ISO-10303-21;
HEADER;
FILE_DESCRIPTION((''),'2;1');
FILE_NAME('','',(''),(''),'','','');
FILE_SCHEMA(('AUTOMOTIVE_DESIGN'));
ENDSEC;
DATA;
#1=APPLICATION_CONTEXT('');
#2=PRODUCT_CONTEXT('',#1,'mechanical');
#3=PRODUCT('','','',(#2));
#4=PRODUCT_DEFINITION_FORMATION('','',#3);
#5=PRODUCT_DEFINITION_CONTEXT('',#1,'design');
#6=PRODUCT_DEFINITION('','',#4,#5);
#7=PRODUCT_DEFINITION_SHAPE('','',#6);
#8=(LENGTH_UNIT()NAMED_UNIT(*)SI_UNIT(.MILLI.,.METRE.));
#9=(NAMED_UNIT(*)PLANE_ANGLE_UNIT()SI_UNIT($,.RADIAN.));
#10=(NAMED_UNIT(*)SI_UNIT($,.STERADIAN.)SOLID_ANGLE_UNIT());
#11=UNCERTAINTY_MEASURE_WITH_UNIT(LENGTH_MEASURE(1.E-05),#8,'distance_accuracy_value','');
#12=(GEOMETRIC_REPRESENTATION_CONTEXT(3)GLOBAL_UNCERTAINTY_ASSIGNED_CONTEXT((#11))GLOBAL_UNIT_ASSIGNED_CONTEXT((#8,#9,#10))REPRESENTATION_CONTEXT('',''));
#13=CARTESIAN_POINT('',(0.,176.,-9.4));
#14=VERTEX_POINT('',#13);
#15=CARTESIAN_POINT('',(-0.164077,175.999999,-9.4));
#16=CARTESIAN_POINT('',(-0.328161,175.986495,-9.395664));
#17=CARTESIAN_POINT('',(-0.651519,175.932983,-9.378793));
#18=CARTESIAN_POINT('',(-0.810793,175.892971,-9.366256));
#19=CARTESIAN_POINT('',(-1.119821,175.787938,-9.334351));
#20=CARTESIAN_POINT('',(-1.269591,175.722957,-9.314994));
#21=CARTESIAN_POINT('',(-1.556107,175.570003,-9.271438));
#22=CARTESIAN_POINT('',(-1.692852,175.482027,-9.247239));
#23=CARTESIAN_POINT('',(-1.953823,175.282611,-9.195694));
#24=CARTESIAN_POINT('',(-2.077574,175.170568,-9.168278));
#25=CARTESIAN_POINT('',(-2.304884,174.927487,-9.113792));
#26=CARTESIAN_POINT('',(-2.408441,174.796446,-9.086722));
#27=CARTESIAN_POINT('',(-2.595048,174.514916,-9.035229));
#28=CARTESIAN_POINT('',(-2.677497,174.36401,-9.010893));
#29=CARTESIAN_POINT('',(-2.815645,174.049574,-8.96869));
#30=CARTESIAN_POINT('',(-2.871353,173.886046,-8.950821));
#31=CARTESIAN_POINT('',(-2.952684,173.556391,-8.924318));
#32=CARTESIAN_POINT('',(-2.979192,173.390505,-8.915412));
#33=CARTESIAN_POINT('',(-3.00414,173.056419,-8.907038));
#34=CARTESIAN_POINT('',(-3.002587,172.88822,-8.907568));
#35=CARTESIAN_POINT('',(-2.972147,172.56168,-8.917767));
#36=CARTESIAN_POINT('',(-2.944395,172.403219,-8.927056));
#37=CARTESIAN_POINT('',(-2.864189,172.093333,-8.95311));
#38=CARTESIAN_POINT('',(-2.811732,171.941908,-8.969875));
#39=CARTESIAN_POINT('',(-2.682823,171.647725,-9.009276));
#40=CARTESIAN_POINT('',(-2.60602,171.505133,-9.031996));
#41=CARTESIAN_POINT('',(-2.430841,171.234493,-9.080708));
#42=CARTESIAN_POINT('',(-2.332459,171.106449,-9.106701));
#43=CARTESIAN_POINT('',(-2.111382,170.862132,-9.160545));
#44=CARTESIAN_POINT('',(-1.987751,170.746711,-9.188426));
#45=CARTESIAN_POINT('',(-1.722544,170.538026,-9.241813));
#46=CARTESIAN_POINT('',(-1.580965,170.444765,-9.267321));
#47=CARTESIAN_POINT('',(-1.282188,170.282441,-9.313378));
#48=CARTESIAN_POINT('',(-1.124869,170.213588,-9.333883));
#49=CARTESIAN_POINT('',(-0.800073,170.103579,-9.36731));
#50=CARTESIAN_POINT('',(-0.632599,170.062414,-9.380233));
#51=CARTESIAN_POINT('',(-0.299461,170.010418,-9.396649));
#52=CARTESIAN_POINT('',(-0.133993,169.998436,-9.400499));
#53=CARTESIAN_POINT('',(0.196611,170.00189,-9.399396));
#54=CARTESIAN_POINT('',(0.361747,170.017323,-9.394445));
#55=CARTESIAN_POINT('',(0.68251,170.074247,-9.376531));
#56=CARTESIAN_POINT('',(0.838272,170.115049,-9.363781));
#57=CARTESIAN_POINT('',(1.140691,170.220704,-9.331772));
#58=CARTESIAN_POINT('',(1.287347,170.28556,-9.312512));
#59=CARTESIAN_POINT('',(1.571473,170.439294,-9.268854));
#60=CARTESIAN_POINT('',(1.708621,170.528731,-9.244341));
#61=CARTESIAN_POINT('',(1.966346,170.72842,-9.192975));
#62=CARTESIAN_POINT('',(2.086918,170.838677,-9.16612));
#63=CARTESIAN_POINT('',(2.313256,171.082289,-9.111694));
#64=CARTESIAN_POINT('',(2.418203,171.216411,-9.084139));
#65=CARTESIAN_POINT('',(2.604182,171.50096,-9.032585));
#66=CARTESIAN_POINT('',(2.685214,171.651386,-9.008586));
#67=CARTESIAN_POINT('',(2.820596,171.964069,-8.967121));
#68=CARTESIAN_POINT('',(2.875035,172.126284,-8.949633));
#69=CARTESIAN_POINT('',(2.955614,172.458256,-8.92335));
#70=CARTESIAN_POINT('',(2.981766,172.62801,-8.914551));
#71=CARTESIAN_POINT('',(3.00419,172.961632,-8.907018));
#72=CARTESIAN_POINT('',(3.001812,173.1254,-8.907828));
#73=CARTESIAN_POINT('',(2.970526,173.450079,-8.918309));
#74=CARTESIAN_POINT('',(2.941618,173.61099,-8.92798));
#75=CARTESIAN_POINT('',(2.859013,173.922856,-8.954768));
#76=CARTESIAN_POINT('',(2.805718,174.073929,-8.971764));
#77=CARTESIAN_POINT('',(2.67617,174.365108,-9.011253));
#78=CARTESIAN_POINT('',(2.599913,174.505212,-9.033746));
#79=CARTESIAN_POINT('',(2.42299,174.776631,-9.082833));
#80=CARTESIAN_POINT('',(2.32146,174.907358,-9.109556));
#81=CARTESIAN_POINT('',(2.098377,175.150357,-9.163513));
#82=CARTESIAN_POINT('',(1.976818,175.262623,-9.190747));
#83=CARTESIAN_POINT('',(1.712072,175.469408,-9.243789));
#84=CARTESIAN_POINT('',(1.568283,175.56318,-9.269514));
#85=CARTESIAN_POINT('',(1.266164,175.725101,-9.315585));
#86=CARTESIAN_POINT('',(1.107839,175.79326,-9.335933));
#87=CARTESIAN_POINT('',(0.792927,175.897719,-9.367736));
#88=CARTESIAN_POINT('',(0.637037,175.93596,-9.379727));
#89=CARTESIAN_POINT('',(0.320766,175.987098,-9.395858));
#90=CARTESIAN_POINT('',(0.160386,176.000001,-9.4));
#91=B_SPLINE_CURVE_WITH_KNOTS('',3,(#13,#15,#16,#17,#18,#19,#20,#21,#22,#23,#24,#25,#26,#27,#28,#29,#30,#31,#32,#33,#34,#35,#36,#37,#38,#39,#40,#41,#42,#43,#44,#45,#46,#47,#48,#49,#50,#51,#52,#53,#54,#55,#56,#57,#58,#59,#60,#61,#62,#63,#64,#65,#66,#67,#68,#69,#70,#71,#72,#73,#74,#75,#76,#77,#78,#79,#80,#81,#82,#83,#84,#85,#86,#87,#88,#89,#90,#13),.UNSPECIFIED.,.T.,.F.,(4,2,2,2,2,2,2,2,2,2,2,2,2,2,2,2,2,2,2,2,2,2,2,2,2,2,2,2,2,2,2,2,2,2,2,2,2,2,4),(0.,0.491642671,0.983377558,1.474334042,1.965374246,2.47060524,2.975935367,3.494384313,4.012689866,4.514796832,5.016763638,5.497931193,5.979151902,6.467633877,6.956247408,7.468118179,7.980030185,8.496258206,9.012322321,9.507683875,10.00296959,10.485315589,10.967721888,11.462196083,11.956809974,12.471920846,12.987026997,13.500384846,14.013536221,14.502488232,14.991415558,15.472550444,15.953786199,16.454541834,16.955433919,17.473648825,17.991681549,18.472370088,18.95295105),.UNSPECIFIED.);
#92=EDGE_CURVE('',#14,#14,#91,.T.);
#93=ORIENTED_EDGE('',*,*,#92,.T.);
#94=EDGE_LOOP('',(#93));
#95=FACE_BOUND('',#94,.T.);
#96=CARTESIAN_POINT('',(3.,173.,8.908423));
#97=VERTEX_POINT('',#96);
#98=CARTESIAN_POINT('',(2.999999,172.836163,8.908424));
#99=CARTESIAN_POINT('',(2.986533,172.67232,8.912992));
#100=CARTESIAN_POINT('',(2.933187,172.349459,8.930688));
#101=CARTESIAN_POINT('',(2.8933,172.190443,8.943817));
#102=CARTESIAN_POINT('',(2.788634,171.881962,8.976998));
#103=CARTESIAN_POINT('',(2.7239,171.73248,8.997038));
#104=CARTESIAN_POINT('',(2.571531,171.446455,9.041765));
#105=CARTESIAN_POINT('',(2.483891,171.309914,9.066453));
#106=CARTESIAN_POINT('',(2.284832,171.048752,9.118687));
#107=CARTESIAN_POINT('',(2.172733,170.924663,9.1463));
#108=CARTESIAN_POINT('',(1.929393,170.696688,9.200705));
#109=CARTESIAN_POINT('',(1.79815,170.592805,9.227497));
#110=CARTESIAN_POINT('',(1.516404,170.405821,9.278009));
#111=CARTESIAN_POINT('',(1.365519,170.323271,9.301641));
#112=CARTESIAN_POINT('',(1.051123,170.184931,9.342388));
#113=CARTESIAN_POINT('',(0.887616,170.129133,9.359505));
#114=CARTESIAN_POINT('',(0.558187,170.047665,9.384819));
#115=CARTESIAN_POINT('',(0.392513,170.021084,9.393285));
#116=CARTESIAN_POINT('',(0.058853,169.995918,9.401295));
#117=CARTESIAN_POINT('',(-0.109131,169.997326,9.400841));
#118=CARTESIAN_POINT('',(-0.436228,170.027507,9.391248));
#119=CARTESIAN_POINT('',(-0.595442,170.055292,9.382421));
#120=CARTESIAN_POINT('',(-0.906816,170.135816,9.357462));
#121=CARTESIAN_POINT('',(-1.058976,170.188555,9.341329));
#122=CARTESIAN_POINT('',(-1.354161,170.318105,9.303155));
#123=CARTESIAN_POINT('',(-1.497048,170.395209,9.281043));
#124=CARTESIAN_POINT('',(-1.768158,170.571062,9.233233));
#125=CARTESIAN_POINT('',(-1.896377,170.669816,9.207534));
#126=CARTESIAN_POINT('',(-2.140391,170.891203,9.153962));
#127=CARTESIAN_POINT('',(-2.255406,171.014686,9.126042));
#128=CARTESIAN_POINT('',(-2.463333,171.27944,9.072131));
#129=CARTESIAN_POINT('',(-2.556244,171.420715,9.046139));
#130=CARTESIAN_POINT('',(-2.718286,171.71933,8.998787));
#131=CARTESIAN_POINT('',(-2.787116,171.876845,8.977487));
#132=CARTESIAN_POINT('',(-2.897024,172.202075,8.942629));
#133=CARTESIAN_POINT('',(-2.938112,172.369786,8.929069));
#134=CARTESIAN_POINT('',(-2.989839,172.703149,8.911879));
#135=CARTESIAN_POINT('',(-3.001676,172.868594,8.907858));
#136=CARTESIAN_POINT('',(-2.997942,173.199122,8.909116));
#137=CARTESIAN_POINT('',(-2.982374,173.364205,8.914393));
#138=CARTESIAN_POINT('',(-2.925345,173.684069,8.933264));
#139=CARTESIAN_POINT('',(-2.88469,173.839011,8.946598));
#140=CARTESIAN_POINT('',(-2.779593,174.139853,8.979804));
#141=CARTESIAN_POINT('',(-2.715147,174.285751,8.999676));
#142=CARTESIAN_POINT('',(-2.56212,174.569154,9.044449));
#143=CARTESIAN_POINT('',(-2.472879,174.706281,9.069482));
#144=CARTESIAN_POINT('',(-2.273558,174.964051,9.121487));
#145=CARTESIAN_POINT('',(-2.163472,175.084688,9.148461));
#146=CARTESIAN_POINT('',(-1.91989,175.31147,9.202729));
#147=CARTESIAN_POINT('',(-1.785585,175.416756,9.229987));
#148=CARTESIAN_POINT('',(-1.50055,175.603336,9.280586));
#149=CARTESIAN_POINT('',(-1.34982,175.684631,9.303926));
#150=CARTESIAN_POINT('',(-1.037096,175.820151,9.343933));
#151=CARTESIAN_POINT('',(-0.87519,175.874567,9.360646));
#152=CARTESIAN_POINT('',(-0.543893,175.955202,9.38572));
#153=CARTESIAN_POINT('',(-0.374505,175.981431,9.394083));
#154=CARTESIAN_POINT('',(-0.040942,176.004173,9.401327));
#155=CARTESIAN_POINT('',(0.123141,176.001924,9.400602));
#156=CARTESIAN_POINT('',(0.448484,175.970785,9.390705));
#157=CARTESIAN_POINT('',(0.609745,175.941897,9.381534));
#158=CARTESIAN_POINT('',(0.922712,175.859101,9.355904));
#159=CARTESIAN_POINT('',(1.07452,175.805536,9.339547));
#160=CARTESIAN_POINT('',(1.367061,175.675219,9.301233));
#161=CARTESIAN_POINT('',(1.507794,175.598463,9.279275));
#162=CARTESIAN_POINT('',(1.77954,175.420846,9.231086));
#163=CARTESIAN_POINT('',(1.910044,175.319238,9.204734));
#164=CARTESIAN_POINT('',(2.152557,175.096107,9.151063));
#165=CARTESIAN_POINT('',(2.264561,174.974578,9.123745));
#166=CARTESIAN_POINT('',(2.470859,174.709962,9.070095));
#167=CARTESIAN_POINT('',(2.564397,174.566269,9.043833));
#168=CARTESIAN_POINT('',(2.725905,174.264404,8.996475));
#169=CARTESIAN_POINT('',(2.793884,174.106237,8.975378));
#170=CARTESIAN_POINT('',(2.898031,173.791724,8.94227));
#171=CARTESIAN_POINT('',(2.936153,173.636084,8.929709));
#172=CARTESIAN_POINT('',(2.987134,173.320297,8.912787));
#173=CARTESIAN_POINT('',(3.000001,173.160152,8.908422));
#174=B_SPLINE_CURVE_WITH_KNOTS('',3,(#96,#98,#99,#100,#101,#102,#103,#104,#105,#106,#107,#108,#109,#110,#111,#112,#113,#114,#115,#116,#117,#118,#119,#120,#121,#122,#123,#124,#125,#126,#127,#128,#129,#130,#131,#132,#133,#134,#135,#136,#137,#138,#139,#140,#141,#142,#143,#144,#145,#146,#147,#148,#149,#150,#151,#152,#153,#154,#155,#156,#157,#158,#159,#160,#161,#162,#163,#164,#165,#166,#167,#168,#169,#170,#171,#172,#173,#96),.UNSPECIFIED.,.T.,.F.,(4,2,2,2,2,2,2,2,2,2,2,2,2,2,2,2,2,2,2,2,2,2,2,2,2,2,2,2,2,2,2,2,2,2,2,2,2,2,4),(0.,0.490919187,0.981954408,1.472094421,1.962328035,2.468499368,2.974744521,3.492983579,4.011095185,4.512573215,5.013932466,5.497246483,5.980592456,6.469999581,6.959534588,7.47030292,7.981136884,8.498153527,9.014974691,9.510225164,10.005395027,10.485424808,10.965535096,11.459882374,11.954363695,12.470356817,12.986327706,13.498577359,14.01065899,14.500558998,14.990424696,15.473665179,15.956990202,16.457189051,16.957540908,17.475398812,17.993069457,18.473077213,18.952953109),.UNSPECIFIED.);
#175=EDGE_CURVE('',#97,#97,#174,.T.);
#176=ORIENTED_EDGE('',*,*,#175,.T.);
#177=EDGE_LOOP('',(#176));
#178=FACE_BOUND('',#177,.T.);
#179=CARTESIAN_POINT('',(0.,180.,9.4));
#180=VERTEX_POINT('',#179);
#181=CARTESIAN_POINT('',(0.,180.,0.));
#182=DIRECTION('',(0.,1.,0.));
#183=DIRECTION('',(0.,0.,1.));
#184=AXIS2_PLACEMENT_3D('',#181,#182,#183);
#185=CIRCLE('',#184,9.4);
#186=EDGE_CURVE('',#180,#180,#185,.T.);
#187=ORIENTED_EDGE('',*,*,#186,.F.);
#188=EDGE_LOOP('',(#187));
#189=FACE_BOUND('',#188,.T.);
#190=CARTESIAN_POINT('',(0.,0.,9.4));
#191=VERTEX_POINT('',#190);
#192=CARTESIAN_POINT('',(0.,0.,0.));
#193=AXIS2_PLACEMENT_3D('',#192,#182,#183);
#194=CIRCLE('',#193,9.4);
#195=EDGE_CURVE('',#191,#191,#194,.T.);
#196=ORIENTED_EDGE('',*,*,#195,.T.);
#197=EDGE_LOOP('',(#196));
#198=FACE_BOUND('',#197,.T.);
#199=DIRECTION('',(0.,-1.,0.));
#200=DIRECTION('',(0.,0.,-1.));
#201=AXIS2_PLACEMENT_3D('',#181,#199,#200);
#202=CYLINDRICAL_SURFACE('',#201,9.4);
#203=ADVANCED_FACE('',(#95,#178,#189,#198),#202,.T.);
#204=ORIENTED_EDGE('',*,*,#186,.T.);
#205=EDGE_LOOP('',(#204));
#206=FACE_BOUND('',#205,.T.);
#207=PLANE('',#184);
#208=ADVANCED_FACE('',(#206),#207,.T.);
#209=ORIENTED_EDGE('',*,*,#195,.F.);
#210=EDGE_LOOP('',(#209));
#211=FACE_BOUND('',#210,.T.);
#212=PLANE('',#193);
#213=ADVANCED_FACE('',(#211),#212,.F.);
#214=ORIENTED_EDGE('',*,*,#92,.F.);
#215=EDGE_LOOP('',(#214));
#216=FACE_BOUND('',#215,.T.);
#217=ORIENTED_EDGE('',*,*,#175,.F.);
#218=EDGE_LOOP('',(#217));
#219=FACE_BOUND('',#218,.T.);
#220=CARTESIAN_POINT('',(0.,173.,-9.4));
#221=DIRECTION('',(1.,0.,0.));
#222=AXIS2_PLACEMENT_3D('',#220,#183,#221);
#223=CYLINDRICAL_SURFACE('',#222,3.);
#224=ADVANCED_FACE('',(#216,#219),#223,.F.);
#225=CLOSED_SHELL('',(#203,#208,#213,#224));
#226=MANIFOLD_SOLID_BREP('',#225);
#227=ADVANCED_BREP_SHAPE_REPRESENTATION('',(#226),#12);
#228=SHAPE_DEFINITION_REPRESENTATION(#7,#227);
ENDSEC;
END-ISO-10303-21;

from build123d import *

# Parameters (mm, degrees)
SKETCH1_R               = 9.4
BOSS_EXTRUDE1_DEPTH     = 180
CUT_EXTRUDE1_DEPTH      = 181.490221342
CUT_EXTRUDE1_DEPTH_BACK = 181.490221342
SKETCH2_R               = 3


with BuildPart() as part:
    # Sketch1 → Boss-Extrude1 (new body)
    with BuildSketch(Plane(origin=(0, 0, 0), x_dir=(1, 0, 0), z_dir=(0, 1, 0))):
        with Locations(Location((0, 0, 0), (0, 0, 90))):
            Circle(SKETCH1_R)
    extrude(amount=BOSS_EXTRUDE1_DEPTH)

    # Sketch2 → Cut-Extrude1 (cut, two sides: drawn at the far end of the back side and taken through both)
    with BuildSketch(Plane.XY.offset(-CUT_EXTRUDE1_DEPTH_BACK)):
        with Locations(Location((0, 173, 0), (0, 0, 89.99999999))):
            Circle(SKETCH2_R)
    extrude(amount=CUT_EXTRUDE1_DEPTH + CUT_EXTRUDE1_DEPTH_BACK, mode=Mode.SUBTRACT)


solid = part.part
